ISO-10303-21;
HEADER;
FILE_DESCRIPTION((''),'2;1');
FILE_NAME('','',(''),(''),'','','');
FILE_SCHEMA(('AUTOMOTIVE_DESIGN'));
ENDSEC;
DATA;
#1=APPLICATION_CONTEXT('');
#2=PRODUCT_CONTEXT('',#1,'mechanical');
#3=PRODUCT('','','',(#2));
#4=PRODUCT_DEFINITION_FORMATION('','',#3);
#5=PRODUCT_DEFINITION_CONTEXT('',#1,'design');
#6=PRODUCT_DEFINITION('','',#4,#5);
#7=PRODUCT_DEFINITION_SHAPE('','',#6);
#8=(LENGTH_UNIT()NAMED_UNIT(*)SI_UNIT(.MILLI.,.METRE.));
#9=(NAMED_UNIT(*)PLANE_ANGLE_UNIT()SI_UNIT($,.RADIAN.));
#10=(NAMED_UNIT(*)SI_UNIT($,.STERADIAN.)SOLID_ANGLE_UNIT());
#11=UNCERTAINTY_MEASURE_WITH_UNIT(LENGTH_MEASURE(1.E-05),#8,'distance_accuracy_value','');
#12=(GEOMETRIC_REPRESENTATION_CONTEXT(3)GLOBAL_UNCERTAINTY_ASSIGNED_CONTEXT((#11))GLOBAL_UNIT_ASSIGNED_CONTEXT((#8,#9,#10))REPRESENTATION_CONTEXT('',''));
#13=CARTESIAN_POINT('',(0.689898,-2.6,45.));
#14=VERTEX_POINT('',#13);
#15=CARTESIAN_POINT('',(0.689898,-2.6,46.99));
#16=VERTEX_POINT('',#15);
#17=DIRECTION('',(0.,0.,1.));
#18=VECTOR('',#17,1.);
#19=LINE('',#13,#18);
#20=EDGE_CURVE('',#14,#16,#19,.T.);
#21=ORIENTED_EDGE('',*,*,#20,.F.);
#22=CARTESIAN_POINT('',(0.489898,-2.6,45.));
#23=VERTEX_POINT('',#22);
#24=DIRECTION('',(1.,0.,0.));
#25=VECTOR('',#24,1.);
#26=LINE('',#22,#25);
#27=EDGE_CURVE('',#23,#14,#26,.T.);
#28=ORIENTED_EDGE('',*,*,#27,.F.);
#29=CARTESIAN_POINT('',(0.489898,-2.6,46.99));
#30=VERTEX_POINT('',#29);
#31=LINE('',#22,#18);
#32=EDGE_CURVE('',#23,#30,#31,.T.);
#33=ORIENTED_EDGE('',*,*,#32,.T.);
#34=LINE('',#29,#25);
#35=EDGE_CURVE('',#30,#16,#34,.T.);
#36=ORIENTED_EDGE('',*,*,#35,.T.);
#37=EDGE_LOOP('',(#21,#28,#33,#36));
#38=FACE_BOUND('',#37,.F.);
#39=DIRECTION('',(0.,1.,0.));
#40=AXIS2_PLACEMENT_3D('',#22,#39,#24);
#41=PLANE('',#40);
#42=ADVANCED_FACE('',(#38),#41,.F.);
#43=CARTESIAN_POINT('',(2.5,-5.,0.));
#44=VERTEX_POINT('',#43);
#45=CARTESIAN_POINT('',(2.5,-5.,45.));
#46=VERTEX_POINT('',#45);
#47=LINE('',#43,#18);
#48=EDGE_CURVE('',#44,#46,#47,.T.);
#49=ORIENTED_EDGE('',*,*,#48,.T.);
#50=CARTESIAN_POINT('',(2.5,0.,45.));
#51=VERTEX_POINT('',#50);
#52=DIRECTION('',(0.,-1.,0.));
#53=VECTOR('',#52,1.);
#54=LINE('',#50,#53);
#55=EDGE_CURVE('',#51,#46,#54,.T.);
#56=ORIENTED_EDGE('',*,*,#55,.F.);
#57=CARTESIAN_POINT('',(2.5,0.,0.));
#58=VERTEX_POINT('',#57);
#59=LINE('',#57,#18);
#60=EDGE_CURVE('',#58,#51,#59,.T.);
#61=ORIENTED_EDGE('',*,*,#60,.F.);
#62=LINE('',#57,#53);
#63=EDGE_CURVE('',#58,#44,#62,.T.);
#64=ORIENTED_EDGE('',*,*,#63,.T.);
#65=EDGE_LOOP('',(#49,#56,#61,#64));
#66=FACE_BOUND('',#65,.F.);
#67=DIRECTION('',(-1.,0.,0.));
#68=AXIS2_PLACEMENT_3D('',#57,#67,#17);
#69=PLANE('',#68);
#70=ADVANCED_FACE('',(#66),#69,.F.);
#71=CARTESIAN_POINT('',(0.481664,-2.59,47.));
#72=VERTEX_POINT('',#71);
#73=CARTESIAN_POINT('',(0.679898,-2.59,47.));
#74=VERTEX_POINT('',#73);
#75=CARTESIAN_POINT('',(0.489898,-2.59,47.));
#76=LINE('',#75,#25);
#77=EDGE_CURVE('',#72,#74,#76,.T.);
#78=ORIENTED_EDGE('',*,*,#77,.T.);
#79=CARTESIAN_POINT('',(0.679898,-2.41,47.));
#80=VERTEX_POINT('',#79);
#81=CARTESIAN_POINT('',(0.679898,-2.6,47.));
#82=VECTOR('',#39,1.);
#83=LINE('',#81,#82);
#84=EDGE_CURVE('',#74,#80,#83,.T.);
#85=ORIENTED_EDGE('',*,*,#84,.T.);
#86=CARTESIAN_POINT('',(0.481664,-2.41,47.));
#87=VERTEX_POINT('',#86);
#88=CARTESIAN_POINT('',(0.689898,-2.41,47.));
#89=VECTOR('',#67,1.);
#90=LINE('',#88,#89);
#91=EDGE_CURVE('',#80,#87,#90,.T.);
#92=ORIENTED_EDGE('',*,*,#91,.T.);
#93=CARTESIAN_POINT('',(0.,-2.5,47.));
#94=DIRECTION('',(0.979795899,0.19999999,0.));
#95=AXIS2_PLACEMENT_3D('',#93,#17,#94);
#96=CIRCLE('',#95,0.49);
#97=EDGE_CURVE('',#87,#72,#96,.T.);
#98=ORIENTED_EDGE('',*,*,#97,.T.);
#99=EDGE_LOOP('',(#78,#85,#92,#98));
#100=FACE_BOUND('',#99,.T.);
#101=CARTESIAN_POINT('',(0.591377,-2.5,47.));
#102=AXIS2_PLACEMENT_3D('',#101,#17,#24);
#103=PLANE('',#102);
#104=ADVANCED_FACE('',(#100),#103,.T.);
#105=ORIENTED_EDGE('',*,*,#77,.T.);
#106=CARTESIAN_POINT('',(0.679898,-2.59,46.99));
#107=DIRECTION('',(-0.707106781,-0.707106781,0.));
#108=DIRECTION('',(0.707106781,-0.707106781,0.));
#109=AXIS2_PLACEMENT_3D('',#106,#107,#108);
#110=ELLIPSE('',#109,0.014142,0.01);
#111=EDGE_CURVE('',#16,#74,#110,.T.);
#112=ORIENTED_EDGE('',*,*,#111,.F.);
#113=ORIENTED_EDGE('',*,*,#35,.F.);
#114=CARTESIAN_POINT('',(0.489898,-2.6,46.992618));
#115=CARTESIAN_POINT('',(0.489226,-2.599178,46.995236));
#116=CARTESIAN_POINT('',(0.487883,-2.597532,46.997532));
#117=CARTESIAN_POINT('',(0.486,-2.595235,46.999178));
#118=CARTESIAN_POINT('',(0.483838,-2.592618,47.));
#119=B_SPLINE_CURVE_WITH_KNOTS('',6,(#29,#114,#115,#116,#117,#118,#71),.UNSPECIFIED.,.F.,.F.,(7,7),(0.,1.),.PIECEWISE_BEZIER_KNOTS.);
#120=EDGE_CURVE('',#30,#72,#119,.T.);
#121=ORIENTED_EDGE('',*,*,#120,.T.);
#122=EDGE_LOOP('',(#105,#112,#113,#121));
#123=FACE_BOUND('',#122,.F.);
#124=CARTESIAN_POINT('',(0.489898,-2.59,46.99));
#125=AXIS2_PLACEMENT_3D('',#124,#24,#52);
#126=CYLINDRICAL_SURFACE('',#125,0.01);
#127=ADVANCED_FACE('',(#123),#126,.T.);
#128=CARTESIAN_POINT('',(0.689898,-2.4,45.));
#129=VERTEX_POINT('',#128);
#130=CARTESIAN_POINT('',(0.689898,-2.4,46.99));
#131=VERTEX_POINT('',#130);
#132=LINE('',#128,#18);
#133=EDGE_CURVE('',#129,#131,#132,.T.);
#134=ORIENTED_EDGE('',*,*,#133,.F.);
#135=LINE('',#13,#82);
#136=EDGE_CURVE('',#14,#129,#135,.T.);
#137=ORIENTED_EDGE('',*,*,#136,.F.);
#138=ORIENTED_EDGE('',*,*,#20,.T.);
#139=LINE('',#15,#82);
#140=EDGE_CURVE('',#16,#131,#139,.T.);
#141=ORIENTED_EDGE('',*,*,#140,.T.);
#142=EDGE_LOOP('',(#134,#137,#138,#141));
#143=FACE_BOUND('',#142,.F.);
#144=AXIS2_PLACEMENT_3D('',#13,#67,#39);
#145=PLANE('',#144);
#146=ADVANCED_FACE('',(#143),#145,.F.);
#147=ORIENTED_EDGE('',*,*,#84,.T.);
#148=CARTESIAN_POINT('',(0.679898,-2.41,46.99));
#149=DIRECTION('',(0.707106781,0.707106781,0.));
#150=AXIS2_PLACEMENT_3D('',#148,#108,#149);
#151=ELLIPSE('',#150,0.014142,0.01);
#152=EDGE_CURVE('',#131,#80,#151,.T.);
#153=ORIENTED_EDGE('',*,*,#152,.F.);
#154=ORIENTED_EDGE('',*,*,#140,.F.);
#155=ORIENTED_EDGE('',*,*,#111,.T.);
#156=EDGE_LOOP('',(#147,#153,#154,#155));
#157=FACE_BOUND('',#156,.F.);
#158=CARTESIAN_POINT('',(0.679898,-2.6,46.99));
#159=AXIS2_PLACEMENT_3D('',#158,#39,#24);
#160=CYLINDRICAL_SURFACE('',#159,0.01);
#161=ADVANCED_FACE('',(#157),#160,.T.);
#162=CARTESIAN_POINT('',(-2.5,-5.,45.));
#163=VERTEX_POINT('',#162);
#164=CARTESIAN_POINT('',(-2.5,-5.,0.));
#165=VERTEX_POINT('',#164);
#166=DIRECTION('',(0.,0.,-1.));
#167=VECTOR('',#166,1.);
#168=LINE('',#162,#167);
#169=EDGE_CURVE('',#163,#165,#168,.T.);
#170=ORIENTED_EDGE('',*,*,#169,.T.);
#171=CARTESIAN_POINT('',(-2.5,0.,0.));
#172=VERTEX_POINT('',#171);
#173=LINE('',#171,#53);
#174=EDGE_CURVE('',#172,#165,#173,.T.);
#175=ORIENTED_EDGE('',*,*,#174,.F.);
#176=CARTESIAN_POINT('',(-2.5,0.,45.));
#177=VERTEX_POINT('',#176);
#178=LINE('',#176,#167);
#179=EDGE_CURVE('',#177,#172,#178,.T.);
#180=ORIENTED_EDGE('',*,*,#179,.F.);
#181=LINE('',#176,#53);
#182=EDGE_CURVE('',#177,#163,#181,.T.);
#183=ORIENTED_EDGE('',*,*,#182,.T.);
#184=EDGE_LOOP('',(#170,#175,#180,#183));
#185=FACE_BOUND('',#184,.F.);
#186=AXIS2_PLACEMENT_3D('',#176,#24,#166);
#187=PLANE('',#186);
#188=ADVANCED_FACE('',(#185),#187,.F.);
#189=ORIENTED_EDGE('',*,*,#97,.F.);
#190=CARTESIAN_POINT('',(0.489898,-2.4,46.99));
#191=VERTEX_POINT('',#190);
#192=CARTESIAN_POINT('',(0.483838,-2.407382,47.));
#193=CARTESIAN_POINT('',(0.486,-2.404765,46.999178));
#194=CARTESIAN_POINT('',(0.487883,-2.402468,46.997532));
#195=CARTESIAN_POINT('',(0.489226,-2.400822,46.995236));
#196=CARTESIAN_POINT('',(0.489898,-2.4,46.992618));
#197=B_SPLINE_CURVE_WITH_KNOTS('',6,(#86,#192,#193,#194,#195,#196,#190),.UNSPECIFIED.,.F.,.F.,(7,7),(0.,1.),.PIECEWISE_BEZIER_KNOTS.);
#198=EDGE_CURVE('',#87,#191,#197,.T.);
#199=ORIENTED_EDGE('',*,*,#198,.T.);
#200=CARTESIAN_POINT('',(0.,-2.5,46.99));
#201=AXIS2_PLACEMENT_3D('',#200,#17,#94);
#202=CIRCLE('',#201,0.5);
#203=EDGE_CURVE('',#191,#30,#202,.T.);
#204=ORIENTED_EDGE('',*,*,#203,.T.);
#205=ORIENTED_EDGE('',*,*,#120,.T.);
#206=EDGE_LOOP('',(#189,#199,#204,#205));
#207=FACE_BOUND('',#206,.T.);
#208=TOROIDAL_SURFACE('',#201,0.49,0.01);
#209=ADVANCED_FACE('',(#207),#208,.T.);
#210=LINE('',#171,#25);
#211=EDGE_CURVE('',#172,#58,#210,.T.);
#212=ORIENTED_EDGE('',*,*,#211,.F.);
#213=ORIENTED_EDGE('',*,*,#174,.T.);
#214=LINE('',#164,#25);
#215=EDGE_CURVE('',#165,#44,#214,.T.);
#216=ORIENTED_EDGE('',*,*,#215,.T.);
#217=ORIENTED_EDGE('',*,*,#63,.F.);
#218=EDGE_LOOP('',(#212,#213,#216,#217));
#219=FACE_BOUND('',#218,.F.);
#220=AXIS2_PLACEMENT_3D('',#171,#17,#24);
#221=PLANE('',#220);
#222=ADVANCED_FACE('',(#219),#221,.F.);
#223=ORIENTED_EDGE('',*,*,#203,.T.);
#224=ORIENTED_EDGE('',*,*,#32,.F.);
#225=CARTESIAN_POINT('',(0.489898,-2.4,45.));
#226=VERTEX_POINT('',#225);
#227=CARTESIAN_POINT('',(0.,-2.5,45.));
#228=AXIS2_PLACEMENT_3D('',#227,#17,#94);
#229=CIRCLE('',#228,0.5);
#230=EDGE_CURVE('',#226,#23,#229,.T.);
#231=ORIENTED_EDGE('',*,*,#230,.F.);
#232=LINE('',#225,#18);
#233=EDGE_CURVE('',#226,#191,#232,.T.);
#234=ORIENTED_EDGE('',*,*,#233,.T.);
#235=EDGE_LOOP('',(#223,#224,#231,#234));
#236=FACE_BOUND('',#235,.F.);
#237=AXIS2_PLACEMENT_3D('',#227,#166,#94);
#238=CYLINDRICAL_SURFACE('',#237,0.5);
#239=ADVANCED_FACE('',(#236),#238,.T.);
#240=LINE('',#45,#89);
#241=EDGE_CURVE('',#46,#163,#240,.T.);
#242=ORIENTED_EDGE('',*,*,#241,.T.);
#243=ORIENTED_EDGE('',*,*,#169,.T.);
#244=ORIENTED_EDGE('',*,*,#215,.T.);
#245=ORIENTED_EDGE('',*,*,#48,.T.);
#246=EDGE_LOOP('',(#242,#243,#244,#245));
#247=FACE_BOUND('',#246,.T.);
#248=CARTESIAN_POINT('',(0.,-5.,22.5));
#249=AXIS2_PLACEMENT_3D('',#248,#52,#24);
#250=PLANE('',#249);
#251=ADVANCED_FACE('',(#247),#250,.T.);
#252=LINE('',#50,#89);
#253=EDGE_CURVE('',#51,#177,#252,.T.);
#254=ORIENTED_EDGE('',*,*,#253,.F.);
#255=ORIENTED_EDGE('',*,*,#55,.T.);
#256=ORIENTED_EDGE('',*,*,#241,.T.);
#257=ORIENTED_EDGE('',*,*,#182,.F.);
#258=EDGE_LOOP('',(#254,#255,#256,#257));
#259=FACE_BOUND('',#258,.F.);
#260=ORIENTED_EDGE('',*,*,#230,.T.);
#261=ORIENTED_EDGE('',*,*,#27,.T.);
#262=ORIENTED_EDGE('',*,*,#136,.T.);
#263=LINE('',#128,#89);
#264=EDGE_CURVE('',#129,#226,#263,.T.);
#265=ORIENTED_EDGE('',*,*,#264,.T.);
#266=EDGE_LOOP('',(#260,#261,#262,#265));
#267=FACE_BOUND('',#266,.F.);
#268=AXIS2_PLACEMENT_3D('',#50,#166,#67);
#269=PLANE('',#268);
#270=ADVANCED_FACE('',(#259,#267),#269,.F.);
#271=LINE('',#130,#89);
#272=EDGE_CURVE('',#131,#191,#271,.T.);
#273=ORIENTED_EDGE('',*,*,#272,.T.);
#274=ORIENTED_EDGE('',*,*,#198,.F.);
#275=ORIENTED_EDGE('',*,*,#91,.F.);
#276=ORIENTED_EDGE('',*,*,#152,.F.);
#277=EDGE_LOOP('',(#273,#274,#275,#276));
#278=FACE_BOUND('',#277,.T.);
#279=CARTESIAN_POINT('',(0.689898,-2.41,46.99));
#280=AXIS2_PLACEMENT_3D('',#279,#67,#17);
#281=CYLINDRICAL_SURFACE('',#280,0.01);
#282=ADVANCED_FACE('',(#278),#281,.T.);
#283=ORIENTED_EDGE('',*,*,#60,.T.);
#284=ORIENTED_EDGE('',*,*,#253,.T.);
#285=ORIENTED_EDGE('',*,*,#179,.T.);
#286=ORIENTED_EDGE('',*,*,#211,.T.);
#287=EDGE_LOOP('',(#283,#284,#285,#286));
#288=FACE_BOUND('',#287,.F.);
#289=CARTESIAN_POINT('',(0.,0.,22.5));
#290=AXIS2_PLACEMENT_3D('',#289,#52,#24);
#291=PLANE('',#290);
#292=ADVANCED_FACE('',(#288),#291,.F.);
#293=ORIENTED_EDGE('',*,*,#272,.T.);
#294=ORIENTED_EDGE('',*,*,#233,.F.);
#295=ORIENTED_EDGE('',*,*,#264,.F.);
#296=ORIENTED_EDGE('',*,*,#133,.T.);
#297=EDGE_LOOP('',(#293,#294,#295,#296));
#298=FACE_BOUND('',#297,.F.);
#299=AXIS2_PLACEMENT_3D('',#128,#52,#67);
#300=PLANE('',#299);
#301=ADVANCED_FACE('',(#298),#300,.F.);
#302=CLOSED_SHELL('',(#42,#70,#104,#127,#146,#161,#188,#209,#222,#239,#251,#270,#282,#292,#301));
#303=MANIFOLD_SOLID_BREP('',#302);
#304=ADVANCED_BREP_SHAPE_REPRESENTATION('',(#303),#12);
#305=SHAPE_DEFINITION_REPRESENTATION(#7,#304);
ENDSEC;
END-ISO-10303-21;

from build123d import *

# Parameters (mm, degrees)
F1_DEPTH = 5
F3_DEPTH = 2
F4_DEPTH = 2
F5_R     = 0.01


with BuildPart() as f1:
    # F0 (on Front) → F1 (new body)
    with BuildSketch(Plane.XZ):
        Polygon((-2.5, 45), (-2.5, 0), (2.5, 0), (2.5, 45), (0, 45), align=None)
    extrude(amount=F1_DEPTH)

    # F2 (on face) → F3 (join)
    with BuildSketch(Plane.XY.offset(45)):
        with BuildLine():
            ThreePointArc((0.489898, -2.6), (0.497468, -2.550254), (0.5, -2.5))
            ThreePointArc((0.5, -2.5), (0.497468, -2.449746), (0.489898, -2.4))
            ThreePointArc((0.489898, -2.4), (-0.5, -2.5), (0.489898, -2.6))
        make_face()
    extrude(amount=F3_DEPTH)

    # F2 (on face) → F4 (join, through all)
    with BuildSketch(Plane.XY.offset(45)):
        with BuildLine():
            ThreePointArc((0.489898, -2.4), (0.497468, -2.449746), (0.5, -2.5))
            ThreePointArc((0.5, -2.5), (0.497468, -2.550254), (0.489898, -2.6))
            Line((0.489898, -2.6), (0.689898, -2.6))
            Line((0.689898, -2.6), (0.689898, -2.5))
            Line((0.689898, -2.5), (0.689898, -2.4))
            Line((0.689898, -2.4), (0.489898, -2.4))
        make_face()
    extrude(amount=F4_DEPTH)

    # F5
    f5_edges = [f1.edges().sort_by_distance(p)[0] for p in [
        (0.589898, -2.6, 47),
        (0.689898, -2.5, 47),
        (0.589898, -2.4, 47),
        (-0.5, -2.5, 47),
    ]]
    fillet(f5_edges, radius=F5_R)


solid = f1.part
